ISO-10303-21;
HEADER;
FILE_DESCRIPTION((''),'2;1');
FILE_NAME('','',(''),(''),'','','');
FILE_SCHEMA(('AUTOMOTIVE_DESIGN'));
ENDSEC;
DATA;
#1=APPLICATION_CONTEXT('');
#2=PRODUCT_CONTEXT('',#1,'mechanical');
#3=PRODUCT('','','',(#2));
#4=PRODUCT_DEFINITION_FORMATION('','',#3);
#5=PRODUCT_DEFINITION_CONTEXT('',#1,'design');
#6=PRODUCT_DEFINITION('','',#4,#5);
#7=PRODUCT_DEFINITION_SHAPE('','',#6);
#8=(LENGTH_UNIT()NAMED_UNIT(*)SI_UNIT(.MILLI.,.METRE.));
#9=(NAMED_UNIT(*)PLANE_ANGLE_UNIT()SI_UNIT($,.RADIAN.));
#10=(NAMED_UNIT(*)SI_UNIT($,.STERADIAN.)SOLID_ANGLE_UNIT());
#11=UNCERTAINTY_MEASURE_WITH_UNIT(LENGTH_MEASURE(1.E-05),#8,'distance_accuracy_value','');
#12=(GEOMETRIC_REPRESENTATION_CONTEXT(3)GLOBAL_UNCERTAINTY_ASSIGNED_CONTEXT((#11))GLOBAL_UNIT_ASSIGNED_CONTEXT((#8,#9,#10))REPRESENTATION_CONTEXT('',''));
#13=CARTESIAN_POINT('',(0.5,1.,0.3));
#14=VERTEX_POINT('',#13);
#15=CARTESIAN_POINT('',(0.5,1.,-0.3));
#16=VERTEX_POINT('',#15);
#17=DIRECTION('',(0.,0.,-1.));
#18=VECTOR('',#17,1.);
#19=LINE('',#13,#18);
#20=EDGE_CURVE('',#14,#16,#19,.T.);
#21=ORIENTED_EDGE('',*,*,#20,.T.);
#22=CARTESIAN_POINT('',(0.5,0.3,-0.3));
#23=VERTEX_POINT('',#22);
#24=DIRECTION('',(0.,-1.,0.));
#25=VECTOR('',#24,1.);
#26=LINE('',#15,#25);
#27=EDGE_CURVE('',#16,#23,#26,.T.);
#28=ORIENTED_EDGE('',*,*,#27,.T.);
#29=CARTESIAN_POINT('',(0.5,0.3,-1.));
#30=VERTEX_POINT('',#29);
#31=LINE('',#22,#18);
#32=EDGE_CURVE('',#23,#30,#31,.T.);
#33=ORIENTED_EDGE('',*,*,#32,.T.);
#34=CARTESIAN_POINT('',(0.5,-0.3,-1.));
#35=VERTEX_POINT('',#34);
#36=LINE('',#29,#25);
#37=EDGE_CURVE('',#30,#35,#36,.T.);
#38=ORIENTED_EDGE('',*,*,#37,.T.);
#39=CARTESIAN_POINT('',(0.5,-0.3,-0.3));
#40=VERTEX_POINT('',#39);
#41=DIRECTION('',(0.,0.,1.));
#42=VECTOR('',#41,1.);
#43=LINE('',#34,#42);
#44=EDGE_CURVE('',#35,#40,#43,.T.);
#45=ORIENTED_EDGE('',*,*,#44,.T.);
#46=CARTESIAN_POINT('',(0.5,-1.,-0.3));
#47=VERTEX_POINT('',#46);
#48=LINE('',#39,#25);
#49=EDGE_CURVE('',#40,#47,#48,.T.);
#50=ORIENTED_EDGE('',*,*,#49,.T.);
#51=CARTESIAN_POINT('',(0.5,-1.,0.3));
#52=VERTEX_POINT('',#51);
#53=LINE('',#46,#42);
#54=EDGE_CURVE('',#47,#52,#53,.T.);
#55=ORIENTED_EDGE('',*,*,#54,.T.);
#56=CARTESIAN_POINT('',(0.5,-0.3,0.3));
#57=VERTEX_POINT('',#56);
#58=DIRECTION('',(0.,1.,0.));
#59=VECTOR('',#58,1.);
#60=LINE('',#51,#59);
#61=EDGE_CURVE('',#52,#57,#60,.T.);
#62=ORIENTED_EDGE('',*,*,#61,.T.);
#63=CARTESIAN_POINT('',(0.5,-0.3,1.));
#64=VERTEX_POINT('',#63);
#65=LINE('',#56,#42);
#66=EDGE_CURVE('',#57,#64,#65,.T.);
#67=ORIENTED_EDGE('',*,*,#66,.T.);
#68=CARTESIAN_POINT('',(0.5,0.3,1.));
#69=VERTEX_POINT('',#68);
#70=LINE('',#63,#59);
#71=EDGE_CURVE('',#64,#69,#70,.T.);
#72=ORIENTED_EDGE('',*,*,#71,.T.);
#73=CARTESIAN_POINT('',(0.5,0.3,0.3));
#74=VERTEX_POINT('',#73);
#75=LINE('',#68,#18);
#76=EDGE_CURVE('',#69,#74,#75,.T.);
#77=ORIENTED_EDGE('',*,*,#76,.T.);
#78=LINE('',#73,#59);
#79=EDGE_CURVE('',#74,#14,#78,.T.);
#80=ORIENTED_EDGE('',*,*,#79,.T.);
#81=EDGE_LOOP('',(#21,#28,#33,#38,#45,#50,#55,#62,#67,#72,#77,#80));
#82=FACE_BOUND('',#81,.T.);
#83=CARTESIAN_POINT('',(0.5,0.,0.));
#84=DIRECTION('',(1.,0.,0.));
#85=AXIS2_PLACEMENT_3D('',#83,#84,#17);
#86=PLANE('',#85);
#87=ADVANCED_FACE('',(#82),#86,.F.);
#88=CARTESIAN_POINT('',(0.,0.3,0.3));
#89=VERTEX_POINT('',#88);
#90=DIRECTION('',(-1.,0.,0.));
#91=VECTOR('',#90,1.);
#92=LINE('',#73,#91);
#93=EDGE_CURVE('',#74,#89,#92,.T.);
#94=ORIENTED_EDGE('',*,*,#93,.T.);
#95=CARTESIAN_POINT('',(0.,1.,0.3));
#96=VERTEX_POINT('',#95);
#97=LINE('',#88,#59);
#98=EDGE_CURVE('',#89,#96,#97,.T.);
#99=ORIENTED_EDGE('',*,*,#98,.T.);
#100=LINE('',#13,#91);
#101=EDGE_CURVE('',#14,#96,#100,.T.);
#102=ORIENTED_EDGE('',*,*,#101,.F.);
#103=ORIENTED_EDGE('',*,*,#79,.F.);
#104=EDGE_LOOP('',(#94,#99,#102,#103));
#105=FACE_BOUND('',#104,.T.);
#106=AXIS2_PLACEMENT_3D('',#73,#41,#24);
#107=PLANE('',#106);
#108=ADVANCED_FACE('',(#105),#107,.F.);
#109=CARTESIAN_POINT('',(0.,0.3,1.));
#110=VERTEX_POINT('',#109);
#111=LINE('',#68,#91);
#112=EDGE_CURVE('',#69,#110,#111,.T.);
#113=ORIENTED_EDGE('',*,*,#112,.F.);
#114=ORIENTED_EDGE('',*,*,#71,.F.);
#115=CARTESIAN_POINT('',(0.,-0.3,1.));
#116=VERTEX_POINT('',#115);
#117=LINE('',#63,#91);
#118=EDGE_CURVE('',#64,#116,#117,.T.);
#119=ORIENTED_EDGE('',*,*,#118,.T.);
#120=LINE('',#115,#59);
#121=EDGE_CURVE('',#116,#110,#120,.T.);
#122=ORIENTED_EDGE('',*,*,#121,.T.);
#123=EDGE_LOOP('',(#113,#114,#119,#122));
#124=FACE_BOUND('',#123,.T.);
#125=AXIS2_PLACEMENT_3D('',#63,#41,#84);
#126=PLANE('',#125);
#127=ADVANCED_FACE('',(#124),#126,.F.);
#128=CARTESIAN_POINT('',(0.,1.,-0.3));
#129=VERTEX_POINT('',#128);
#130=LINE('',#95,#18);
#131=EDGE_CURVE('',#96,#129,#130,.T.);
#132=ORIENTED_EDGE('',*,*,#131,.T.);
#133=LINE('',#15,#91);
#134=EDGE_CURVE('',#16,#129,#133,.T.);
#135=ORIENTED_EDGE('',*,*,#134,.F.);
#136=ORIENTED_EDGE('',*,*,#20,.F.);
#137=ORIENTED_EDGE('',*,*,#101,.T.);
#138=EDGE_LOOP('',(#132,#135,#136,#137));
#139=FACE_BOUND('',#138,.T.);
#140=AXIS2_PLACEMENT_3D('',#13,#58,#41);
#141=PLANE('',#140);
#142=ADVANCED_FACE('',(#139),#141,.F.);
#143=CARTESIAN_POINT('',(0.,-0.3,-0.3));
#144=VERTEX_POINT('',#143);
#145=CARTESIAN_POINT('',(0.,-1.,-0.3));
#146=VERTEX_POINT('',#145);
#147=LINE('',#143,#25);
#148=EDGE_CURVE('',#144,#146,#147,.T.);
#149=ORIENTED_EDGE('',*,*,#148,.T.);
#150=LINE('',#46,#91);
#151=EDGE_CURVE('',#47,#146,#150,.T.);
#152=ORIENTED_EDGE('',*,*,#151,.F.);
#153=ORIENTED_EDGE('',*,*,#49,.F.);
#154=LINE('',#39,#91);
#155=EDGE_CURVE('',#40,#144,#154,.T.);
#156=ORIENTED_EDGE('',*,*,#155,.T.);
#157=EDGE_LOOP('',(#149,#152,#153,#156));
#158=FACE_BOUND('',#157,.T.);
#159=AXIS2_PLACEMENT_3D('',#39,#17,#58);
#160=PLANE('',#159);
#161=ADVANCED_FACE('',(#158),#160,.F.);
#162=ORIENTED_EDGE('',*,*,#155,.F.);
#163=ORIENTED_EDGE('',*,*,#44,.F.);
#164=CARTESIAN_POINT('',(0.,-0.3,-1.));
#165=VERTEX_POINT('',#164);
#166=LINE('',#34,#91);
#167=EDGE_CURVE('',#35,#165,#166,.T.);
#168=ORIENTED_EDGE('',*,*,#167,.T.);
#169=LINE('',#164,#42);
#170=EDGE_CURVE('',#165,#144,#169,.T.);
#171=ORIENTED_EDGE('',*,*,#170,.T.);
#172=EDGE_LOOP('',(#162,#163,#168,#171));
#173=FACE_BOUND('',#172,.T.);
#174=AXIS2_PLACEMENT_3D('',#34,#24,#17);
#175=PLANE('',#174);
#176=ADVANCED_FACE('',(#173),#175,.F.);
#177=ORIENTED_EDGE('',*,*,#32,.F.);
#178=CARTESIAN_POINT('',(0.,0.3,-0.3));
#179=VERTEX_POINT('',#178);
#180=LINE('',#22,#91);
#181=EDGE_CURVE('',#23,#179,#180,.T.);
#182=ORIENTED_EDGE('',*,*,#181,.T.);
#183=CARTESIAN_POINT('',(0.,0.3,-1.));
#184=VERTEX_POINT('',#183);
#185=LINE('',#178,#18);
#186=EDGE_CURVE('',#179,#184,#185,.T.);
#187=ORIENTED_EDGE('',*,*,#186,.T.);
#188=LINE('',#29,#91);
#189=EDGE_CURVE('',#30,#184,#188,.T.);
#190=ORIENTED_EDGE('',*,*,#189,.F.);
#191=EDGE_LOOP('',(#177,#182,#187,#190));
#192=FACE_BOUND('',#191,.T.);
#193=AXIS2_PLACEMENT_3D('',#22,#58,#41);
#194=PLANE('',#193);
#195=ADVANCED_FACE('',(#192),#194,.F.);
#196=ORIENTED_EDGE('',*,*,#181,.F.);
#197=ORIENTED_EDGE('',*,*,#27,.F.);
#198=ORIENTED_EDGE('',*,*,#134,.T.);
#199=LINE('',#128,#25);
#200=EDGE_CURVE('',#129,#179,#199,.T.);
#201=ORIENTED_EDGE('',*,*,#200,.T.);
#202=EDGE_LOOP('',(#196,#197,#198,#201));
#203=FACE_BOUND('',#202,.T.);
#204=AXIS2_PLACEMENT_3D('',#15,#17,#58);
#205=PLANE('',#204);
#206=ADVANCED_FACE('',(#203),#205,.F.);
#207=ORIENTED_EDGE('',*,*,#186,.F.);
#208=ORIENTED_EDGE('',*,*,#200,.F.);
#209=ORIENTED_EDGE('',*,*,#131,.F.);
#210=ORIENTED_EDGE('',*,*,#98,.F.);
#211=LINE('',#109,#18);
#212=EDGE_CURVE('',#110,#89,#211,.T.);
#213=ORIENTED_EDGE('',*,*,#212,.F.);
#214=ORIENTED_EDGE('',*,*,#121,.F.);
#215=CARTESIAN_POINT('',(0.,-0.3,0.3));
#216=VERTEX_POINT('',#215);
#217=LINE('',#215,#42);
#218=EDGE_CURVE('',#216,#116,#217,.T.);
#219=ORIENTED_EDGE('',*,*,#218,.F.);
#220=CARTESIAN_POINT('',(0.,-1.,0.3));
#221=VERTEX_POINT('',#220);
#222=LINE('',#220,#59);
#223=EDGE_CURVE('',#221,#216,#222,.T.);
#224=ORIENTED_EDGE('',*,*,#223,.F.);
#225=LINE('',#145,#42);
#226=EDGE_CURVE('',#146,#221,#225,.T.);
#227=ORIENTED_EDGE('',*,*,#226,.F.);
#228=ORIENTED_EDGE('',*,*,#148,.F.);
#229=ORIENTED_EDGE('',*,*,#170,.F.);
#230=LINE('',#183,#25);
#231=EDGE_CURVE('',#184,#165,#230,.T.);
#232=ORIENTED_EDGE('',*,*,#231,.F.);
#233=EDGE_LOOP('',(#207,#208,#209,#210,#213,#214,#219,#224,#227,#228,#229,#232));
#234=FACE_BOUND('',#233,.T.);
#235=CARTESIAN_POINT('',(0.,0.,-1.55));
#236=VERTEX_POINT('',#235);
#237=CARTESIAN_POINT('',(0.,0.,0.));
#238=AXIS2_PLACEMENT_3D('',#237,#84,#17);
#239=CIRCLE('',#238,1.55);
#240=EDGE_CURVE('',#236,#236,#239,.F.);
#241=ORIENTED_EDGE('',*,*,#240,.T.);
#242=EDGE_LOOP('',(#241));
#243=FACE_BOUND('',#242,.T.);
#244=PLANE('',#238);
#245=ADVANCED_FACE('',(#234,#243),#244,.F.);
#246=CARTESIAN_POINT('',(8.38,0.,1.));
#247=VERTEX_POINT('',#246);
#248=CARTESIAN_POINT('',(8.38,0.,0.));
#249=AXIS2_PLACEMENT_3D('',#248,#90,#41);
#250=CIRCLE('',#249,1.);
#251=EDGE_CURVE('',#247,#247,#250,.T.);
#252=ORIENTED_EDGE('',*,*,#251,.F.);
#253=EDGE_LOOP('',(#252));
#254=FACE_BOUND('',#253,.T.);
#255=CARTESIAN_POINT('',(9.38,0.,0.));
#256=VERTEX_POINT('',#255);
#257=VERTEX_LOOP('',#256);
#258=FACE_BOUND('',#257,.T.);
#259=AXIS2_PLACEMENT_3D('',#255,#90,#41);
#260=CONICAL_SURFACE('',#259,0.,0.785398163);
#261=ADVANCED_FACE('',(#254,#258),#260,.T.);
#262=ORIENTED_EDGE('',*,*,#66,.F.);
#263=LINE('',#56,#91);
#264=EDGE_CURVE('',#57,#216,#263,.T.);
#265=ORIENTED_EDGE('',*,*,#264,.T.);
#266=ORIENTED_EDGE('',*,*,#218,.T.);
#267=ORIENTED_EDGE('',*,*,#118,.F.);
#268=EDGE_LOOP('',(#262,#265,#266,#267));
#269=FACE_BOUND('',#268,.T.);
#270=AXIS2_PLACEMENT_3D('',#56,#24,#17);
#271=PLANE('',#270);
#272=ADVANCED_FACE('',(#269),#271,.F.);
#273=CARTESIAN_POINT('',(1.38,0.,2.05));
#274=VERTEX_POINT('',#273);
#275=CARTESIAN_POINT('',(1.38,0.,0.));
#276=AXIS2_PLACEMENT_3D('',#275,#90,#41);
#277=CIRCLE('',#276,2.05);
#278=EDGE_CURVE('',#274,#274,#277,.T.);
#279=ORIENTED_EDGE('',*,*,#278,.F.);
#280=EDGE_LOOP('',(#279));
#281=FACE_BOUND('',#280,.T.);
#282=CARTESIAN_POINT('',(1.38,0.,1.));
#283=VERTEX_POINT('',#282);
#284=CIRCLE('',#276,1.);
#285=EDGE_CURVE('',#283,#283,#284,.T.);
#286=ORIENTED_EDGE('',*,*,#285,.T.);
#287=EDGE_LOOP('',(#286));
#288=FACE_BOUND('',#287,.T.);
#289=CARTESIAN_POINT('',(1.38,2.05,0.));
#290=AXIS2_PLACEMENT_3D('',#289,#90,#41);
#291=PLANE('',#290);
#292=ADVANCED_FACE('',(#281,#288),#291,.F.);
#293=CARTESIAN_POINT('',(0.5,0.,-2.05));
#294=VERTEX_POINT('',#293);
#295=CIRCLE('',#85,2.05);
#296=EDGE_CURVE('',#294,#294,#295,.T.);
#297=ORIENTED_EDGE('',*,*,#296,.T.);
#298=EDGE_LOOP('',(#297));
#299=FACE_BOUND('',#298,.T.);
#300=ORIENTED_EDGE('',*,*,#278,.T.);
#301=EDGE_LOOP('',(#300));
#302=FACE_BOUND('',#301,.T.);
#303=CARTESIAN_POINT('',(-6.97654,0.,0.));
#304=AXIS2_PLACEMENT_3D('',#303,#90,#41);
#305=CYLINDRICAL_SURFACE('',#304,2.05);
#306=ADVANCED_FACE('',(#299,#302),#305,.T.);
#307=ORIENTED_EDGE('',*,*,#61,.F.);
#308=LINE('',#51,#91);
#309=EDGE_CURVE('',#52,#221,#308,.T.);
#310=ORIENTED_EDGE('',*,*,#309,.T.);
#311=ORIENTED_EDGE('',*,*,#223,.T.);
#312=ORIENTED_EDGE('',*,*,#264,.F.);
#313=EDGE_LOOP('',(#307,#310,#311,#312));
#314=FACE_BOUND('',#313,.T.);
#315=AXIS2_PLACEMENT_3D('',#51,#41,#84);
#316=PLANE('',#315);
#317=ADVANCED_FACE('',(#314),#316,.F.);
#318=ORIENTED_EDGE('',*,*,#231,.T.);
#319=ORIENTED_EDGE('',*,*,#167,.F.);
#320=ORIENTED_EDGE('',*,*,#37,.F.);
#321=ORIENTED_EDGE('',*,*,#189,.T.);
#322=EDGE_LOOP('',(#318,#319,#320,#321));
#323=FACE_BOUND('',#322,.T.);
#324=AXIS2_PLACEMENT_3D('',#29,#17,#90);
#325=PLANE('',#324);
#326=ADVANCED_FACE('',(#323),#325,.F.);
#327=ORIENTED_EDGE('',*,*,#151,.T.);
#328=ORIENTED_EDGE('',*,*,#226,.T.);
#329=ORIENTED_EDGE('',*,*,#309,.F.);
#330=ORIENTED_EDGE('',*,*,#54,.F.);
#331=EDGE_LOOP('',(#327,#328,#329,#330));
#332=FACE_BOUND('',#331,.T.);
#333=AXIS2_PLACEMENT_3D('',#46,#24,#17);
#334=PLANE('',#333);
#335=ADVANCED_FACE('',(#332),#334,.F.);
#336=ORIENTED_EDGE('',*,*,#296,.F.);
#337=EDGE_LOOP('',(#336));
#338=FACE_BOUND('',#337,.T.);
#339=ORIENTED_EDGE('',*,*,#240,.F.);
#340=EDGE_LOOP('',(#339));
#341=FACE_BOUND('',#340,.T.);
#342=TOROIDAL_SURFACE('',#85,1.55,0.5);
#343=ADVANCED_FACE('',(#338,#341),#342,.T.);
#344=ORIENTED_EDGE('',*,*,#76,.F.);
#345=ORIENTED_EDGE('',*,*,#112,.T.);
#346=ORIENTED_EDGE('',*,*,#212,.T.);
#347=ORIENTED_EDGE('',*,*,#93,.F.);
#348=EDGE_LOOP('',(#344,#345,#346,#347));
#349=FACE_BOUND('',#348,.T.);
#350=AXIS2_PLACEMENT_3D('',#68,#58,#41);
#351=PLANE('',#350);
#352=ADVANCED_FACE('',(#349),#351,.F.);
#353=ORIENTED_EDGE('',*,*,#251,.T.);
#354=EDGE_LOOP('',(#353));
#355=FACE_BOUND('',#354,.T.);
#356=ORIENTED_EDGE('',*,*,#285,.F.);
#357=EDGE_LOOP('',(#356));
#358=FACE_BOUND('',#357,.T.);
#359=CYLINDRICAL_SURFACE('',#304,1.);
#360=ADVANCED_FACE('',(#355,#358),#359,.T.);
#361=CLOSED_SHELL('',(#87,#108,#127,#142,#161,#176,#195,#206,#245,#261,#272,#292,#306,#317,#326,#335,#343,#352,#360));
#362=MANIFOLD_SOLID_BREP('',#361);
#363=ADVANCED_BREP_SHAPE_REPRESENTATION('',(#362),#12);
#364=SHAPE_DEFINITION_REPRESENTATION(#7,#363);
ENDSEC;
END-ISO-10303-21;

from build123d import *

# Parameters (mm, degrees)
CUT_EXTRUDE_1_DEPTH = 0.5
FILLET_1_R          = 0.5


with BuildPart() as part:
    # 草图1 → 旋转1 (revolve)
    with BuildSketch(Plane.XY):
        Polygon((0, 0), (0, 2.05), (1.38, 2.05), (1.38, 1), (8.38, 1), (9.38, 0), align=None)
    revolve(axis=Axis((-6.976540153, 0, 0), (1, 0, 0)))

    # 草图2 → 切除-拉伸1 (cut)
    with BuildSketch(Plane.ZY):
        Polygon((-0.3, 0.3), (-1, 0.3), (-1, -0.3), (-0.3, -0.3), (-0.3, -1), (0.3, -1), (0.3, -0.3), (1, -0.3), (1, 0.3), (0.3, 0.3), (0.3, 1), (-0.3, 1), align=None)
    extrude(amount=-CUT_EXTRUDE_1_DEPTH, mode=Mode.SUBTRACT)

    # 圆角1
    fillet_1_edges = [part.edges().sort_by_distance(p)[0] for p in [
        (0, -2.05, 0),
    ]]
    fillet(fillet_1_edges, radius=FILLET_1_R)


solid = part.part
